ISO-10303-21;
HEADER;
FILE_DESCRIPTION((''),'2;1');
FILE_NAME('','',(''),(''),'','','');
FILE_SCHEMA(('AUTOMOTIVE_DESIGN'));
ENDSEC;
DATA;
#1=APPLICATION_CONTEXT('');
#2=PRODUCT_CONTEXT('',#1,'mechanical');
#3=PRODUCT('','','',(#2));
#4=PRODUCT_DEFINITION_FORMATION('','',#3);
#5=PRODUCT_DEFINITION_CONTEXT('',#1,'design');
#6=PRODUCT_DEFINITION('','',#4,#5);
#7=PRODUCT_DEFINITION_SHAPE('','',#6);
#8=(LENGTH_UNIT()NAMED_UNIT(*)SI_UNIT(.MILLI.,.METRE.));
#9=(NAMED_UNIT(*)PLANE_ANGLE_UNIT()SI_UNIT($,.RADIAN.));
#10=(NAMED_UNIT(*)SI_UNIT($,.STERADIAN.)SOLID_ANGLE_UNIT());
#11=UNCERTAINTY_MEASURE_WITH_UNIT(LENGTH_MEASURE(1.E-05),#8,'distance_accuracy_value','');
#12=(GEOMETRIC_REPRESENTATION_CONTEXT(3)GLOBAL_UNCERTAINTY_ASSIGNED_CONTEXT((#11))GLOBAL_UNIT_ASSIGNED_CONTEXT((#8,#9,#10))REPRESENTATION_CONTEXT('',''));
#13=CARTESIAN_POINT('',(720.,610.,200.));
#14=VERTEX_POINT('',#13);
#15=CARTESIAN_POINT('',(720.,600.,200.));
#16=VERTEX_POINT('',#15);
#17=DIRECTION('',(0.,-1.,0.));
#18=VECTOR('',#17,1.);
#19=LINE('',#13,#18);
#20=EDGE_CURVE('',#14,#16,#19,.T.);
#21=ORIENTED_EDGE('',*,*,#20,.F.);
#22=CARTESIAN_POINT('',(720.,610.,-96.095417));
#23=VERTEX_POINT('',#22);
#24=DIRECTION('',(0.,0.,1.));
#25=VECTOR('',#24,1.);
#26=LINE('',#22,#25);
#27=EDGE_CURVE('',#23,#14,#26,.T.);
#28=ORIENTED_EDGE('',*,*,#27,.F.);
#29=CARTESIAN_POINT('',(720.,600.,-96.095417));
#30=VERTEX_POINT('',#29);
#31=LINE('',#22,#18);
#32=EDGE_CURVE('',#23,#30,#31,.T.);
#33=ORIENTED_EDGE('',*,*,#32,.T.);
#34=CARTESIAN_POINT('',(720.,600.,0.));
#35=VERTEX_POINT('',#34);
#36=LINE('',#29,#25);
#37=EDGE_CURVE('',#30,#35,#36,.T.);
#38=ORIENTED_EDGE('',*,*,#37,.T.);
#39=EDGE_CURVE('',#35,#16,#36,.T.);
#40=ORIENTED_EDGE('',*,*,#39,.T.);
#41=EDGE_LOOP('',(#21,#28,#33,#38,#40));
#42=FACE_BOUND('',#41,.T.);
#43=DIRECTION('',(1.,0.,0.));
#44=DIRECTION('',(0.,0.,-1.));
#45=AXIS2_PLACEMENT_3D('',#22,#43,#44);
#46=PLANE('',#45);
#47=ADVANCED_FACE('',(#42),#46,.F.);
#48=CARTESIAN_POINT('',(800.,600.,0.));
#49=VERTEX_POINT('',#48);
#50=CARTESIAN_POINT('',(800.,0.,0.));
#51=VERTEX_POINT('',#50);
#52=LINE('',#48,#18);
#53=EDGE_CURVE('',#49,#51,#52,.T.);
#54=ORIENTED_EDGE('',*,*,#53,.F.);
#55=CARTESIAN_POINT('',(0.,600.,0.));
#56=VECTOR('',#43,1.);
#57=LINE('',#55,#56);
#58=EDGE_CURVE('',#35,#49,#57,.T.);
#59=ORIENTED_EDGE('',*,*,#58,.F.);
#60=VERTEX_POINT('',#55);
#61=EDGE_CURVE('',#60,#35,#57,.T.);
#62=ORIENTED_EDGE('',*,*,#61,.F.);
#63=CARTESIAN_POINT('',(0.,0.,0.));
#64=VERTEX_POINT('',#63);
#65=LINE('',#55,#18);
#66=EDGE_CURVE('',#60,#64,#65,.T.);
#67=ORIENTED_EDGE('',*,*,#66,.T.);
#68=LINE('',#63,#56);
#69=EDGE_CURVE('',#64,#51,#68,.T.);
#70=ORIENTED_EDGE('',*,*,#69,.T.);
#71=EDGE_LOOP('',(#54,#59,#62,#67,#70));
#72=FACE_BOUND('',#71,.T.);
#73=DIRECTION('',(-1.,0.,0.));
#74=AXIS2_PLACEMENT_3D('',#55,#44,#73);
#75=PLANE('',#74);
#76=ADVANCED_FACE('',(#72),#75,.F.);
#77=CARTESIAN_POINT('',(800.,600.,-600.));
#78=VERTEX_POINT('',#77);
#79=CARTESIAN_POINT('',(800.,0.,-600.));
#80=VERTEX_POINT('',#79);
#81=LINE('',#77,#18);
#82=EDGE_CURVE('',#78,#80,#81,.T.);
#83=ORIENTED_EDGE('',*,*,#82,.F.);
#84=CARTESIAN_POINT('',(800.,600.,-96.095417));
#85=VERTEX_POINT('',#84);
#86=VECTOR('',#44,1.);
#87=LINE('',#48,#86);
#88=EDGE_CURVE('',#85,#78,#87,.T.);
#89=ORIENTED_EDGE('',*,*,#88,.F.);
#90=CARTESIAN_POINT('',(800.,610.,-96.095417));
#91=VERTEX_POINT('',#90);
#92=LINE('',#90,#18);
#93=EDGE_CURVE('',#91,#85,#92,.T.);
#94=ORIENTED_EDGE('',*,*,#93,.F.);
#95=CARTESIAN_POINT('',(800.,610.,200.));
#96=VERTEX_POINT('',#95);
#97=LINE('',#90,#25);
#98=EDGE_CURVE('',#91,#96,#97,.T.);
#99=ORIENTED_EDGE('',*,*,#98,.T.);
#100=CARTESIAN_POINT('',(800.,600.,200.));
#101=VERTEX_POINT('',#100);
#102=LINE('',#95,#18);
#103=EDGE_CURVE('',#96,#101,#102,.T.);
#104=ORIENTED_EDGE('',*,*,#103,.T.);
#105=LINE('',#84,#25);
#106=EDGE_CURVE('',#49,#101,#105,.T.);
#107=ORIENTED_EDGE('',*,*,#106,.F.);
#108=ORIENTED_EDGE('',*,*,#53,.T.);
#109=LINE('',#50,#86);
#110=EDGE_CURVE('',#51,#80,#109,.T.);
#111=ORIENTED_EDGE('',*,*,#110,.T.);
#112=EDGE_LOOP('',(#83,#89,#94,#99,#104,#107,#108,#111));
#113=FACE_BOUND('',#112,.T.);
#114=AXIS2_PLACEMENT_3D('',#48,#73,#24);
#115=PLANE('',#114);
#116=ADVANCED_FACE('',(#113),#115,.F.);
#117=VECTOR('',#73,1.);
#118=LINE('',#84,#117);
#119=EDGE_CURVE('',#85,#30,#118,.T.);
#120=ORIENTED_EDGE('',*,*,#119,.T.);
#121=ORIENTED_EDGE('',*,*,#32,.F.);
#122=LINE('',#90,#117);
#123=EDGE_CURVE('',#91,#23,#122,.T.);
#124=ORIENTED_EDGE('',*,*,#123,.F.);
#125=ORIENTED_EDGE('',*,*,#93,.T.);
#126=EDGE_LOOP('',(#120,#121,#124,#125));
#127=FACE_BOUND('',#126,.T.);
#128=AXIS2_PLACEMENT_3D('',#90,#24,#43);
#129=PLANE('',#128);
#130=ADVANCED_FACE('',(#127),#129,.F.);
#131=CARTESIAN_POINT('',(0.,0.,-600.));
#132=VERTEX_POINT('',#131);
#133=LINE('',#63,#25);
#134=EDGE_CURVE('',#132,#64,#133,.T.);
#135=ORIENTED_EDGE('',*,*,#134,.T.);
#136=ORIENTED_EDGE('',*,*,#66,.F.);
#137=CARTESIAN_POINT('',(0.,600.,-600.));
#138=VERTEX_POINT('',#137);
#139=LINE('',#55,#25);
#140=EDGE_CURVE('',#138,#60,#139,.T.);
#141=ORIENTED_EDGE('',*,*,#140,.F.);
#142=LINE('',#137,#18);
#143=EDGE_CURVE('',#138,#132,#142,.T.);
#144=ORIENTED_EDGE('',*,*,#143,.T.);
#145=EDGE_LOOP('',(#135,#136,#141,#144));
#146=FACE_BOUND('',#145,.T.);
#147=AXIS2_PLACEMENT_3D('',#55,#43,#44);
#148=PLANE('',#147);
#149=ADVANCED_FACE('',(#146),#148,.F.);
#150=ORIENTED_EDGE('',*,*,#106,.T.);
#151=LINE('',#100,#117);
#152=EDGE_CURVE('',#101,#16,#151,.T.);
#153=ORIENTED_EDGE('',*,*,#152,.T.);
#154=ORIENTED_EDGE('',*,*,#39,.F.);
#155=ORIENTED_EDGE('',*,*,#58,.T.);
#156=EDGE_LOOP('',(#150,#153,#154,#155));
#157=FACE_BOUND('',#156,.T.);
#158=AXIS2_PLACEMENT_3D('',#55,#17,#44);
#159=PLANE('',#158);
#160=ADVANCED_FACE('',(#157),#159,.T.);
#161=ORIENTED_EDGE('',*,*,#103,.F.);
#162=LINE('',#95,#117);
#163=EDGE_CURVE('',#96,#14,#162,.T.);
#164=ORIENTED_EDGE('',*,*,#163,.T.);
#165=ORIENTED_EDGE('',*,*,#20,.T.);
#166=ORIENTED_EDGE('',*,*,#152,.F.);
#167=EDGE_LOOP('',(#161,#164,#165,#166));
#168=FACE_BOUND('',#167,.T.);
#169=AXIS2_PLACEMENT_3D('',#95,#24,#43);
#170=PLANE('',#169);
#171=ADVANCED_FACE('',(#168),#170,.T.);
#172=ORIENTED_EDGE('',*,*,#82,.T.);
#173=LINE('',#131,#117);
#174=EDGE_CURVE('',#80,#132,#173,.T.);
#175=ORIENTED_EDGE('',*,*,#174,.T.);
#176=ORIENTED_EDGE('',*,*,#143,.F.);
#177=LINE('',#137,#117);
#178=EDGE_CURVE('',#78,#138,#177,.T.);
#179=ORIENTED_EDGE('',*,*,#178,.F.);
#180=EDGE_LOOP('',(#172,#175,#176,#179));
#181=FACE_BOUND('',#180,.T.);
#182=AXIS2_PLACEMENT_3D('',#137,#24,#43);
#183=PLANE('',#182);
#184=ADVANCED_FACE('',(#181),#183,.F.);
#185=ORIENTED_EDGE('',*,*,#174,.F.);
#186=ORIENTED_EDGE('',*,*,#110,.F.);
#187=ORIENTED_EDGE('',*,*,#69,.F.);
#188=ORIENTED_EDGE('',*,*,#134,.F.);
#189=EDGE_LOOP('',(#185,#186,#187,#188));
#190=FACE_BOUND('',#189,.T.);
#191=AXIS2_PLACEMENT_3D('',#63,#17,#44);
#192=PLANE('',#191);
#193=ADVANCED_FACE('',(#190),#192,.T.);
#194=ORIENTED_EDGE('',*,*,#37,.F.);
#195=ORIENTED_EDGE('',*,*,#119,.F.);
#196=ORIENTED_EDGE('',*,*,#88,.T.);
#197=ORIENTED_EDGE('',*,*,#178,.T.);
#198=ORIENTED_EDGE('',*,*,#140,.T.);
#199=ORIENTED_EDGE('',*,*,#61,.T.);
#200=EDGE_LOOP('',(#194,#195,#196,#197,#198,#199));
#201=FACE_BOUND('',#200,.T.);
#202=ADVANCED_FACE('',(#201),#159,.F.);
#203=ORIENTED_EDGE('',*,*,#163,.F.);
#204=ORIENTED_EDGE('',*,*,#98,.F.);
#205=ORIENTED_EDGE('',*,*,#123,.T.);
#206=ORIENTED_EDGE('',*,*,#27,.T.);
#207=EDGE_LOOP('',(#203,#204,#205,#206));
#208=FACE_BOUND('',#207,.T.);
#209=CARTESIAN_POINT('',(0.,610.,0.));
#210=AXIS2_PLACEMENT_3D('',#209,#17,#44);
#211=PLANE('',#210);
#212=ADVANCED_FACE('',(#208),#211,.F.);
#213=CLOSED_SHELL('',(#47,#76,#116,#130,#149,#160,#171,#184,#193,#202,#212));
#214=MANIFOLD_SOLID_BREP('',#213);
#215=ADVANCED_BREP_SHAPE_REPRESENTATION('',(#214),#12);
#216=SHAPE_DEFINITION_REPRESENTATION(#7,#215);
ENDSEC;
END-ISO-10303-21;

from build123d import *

# Parameters (mm, degrees)
SKETCH1_W           = 800
SKETCH1_H           = 600
BOSS_EXTRUDE1_DEPTH = 600
SKETCH2_W           = 80
SKETCH2_H           = 296.095416522
BOSS_EXTRUDE2_DEPTH = 10


with BuildPart() as part:
    # Sketch1 → Boss-Extrude1 (new body)
    with BuildSketch(Plane(origin=(0, 0, 0), x_dir=(1, 0, 0), z_dir=(0, 1, 0))):
        with Locations((400, 300)):
            Rectangle(SKETCH1_W, SKETCH1_H)
    extrude(amount=BOSS_EXTRUDE1_DEPTH)

    # Sketch2 → Boss-Extrude2 (add)
    with BuildSketch(Plane(origin=(0, 600, 0), x_dir=(1, 0, 0), z_dir=(0, 1, 0))):
        with Locations((760, -51.952291739)):
            Rectangle(SKETCH2_W, SKETCH2_H)
    extrude(amount=BOSS_EXTRUDE2_DEPTH)


solid = part.part
